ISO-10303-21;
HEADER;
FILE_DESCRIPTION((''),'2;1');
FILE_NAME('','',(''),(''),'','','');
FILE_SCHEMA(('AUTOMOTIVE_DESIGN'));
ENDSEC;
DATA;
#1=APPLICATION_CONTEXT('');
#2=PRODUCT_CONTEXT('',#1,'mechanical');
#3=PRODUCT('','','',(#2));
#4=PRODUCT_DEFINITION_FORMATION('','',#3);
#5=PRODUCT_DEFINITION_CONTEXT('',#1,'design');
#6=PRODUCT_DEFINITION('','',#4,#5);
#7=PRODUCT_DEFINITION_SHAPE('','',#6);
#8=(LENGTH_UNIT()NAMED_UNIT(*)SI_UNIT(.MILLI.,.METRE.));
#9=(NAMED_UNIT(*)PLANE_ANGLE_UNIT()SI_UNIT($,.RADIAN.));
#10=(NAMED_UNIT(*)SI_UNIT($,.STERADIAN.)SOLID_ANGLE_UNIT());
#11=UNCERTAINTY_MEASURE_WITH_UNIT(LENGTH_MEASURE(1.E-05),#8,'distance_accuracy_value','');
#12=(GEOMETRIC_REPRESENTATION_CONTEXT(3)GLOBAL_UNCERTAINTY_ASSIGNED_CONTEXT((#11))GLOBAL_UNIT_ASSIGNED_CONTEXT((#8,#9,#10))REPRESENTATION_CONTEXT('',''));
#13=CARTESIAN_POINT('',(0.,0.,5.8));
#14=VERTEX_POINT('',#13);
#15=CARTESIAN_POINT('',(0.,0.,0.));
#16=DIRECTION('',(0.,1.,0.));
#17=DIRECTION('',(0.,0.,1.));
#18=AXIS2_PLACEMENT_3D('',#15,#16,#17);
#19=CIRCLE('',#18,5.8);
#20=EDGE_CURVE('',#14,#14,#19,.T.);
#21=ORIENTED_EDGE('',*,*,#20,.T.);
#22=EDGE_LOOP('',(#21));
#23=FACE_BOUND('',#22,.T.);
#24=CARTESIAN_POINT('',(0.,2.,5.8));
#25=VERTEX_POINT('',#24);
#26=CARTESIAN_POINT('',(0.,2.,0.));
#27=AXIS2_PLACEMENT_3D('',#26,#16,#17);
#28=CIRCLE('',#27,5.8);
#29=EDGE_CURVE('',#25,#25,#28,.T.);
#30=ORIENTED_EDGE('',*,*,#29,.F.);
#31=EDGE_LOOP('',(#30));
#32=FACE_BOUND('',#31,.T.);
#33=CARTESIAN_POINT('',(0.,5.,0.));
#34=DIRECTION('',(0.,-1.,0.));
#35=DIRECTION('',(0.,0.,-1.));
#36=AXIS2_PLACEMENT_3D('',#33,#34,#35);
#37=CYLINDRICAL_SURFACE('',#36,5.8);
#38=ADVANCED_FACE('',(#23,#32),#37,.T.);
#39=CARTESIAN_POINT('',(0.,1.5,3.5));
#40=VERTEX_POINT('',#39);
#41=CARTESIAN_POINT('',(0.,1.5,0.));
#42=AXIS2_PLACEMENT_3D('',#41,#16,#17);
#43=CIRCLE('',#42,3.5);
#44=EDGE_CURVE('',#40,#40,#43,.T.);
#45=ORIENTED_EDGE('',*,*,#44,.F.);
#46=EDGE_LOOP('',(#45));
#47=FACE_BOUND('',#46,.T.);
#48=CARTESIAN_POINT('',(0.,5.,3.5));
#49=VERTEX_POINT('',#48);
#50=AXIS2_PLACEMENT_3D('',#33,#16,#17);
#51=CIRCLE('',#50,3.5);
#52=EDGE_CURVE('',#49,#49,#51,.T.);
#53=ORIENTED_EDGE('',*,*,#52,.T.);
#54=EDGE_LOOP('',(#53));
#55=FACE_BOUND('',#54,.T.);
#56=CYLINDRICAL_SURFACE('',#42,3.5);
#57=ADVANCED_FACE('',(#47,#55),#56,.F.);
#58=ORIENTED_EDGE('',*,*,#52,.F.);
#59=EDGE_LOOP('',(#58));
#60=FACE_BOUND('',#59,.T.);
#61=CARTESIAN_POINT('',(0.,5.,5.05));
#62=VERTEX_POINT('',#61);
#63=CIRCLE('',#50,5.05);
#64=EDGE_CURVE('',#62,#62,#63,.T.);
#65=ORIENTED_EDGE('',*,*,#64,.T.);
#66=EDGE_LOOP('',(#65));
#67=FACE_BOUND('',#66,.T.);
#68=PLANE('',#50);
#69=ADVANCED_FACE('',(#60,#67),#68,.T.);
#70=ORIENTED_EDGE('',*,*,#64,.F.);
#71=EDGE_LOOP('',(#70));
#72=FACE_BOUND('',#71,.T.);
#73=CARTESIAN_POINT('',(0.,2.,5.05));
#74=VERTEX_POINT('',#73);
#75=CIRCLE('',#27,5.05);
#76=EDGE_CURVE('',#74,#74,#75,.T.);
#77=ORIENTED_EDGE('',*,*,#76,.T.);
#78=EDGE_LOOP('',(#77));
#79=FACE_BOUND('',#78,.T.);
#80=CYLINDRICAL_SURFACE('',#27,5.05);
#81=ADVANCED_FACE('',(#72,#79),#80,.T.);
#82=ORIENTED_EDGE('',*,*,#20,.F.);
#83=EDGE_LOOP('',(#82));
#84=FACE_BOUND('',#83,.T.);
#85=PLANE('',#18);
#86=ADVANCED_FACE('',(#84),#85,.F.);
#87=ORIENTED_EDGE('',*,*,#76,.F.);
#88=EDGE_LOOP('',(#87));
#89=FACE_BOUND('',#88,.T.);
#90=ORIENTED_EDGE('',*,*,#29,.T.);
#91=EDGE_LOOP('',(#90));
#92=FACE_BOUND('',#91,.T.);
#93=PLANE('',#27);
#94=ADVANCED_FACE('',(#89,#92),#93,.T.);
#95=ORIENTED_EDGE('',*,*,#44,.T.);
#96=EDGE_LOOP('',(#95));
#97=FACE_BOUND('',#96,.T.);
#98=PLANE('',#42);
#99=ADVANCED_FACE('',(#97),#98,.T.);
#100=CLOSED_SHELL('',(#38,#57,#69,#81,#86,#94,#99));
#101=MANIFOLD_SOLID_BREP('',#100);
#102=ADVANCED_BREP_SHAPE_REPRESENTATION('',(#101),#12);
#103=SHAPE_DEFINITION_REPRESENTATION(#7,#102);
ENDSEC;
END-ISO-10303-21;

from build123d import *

# Parameters (mm, degrees)
SKETCH1_R           = 5.8
BOSS_EXTRUDE1_DEPTH = 5
SKETCH2_R           = 3.5
CUT_EXTRUDE1_DEPTH  = 3.5
SKETCH3_R           = 8.275638688
SKETCH3_R_2         = 5.05
CUT_EXTRUDE2_DEPTH  = 3


with BuildPart() as part:
    # Sketch1 → Boss-Extrude1 (new body)
    with BuildSketch(Plane(origin=(0, 0, 0), x_dir=(1, 0, 0), z_dir=(0, 1, 0))):
        with Locations(Location((0, 0, 0), (0, 0, 270))):
            Circle(SKETCH1_R)
    extrude(amount=BOSS_EXTRUDE1_DEPTH)

    # Sketch2 → Cut-Extrude1 (cut)
    with BuildSketch(Plane(origin=(0, 5, 0), x_dir=(1, 0, 0), z_dir=(0, 1, 0))):
        with Locations(Location((0, 0, 0), (0, 0, 270))):
            Circle(SKETCH2_R)
    extrude(amount=-CUT_EXTRUDE1_DEPTH, mode=Mode.SUBTRACT)

    # Sketch3 → Cut-Extrude2 (cut)
    with BuildSketch(Plane(origin=(0, 5, 0), x_dir=(1, 0, 0), z_dir=(0, 1, 0))):
        Circle(SKETCH3_R)
        with Locations(Location((0, 0, 0), (0, 0, 270))):
            Circle(SKETCH3_R_2, mode=Mode.SUBTRACT)
    extrude(amount=-CUT_EXTRUDE2_DEPTH, mode=Mode.SUBTRACT)


solid = part.part
